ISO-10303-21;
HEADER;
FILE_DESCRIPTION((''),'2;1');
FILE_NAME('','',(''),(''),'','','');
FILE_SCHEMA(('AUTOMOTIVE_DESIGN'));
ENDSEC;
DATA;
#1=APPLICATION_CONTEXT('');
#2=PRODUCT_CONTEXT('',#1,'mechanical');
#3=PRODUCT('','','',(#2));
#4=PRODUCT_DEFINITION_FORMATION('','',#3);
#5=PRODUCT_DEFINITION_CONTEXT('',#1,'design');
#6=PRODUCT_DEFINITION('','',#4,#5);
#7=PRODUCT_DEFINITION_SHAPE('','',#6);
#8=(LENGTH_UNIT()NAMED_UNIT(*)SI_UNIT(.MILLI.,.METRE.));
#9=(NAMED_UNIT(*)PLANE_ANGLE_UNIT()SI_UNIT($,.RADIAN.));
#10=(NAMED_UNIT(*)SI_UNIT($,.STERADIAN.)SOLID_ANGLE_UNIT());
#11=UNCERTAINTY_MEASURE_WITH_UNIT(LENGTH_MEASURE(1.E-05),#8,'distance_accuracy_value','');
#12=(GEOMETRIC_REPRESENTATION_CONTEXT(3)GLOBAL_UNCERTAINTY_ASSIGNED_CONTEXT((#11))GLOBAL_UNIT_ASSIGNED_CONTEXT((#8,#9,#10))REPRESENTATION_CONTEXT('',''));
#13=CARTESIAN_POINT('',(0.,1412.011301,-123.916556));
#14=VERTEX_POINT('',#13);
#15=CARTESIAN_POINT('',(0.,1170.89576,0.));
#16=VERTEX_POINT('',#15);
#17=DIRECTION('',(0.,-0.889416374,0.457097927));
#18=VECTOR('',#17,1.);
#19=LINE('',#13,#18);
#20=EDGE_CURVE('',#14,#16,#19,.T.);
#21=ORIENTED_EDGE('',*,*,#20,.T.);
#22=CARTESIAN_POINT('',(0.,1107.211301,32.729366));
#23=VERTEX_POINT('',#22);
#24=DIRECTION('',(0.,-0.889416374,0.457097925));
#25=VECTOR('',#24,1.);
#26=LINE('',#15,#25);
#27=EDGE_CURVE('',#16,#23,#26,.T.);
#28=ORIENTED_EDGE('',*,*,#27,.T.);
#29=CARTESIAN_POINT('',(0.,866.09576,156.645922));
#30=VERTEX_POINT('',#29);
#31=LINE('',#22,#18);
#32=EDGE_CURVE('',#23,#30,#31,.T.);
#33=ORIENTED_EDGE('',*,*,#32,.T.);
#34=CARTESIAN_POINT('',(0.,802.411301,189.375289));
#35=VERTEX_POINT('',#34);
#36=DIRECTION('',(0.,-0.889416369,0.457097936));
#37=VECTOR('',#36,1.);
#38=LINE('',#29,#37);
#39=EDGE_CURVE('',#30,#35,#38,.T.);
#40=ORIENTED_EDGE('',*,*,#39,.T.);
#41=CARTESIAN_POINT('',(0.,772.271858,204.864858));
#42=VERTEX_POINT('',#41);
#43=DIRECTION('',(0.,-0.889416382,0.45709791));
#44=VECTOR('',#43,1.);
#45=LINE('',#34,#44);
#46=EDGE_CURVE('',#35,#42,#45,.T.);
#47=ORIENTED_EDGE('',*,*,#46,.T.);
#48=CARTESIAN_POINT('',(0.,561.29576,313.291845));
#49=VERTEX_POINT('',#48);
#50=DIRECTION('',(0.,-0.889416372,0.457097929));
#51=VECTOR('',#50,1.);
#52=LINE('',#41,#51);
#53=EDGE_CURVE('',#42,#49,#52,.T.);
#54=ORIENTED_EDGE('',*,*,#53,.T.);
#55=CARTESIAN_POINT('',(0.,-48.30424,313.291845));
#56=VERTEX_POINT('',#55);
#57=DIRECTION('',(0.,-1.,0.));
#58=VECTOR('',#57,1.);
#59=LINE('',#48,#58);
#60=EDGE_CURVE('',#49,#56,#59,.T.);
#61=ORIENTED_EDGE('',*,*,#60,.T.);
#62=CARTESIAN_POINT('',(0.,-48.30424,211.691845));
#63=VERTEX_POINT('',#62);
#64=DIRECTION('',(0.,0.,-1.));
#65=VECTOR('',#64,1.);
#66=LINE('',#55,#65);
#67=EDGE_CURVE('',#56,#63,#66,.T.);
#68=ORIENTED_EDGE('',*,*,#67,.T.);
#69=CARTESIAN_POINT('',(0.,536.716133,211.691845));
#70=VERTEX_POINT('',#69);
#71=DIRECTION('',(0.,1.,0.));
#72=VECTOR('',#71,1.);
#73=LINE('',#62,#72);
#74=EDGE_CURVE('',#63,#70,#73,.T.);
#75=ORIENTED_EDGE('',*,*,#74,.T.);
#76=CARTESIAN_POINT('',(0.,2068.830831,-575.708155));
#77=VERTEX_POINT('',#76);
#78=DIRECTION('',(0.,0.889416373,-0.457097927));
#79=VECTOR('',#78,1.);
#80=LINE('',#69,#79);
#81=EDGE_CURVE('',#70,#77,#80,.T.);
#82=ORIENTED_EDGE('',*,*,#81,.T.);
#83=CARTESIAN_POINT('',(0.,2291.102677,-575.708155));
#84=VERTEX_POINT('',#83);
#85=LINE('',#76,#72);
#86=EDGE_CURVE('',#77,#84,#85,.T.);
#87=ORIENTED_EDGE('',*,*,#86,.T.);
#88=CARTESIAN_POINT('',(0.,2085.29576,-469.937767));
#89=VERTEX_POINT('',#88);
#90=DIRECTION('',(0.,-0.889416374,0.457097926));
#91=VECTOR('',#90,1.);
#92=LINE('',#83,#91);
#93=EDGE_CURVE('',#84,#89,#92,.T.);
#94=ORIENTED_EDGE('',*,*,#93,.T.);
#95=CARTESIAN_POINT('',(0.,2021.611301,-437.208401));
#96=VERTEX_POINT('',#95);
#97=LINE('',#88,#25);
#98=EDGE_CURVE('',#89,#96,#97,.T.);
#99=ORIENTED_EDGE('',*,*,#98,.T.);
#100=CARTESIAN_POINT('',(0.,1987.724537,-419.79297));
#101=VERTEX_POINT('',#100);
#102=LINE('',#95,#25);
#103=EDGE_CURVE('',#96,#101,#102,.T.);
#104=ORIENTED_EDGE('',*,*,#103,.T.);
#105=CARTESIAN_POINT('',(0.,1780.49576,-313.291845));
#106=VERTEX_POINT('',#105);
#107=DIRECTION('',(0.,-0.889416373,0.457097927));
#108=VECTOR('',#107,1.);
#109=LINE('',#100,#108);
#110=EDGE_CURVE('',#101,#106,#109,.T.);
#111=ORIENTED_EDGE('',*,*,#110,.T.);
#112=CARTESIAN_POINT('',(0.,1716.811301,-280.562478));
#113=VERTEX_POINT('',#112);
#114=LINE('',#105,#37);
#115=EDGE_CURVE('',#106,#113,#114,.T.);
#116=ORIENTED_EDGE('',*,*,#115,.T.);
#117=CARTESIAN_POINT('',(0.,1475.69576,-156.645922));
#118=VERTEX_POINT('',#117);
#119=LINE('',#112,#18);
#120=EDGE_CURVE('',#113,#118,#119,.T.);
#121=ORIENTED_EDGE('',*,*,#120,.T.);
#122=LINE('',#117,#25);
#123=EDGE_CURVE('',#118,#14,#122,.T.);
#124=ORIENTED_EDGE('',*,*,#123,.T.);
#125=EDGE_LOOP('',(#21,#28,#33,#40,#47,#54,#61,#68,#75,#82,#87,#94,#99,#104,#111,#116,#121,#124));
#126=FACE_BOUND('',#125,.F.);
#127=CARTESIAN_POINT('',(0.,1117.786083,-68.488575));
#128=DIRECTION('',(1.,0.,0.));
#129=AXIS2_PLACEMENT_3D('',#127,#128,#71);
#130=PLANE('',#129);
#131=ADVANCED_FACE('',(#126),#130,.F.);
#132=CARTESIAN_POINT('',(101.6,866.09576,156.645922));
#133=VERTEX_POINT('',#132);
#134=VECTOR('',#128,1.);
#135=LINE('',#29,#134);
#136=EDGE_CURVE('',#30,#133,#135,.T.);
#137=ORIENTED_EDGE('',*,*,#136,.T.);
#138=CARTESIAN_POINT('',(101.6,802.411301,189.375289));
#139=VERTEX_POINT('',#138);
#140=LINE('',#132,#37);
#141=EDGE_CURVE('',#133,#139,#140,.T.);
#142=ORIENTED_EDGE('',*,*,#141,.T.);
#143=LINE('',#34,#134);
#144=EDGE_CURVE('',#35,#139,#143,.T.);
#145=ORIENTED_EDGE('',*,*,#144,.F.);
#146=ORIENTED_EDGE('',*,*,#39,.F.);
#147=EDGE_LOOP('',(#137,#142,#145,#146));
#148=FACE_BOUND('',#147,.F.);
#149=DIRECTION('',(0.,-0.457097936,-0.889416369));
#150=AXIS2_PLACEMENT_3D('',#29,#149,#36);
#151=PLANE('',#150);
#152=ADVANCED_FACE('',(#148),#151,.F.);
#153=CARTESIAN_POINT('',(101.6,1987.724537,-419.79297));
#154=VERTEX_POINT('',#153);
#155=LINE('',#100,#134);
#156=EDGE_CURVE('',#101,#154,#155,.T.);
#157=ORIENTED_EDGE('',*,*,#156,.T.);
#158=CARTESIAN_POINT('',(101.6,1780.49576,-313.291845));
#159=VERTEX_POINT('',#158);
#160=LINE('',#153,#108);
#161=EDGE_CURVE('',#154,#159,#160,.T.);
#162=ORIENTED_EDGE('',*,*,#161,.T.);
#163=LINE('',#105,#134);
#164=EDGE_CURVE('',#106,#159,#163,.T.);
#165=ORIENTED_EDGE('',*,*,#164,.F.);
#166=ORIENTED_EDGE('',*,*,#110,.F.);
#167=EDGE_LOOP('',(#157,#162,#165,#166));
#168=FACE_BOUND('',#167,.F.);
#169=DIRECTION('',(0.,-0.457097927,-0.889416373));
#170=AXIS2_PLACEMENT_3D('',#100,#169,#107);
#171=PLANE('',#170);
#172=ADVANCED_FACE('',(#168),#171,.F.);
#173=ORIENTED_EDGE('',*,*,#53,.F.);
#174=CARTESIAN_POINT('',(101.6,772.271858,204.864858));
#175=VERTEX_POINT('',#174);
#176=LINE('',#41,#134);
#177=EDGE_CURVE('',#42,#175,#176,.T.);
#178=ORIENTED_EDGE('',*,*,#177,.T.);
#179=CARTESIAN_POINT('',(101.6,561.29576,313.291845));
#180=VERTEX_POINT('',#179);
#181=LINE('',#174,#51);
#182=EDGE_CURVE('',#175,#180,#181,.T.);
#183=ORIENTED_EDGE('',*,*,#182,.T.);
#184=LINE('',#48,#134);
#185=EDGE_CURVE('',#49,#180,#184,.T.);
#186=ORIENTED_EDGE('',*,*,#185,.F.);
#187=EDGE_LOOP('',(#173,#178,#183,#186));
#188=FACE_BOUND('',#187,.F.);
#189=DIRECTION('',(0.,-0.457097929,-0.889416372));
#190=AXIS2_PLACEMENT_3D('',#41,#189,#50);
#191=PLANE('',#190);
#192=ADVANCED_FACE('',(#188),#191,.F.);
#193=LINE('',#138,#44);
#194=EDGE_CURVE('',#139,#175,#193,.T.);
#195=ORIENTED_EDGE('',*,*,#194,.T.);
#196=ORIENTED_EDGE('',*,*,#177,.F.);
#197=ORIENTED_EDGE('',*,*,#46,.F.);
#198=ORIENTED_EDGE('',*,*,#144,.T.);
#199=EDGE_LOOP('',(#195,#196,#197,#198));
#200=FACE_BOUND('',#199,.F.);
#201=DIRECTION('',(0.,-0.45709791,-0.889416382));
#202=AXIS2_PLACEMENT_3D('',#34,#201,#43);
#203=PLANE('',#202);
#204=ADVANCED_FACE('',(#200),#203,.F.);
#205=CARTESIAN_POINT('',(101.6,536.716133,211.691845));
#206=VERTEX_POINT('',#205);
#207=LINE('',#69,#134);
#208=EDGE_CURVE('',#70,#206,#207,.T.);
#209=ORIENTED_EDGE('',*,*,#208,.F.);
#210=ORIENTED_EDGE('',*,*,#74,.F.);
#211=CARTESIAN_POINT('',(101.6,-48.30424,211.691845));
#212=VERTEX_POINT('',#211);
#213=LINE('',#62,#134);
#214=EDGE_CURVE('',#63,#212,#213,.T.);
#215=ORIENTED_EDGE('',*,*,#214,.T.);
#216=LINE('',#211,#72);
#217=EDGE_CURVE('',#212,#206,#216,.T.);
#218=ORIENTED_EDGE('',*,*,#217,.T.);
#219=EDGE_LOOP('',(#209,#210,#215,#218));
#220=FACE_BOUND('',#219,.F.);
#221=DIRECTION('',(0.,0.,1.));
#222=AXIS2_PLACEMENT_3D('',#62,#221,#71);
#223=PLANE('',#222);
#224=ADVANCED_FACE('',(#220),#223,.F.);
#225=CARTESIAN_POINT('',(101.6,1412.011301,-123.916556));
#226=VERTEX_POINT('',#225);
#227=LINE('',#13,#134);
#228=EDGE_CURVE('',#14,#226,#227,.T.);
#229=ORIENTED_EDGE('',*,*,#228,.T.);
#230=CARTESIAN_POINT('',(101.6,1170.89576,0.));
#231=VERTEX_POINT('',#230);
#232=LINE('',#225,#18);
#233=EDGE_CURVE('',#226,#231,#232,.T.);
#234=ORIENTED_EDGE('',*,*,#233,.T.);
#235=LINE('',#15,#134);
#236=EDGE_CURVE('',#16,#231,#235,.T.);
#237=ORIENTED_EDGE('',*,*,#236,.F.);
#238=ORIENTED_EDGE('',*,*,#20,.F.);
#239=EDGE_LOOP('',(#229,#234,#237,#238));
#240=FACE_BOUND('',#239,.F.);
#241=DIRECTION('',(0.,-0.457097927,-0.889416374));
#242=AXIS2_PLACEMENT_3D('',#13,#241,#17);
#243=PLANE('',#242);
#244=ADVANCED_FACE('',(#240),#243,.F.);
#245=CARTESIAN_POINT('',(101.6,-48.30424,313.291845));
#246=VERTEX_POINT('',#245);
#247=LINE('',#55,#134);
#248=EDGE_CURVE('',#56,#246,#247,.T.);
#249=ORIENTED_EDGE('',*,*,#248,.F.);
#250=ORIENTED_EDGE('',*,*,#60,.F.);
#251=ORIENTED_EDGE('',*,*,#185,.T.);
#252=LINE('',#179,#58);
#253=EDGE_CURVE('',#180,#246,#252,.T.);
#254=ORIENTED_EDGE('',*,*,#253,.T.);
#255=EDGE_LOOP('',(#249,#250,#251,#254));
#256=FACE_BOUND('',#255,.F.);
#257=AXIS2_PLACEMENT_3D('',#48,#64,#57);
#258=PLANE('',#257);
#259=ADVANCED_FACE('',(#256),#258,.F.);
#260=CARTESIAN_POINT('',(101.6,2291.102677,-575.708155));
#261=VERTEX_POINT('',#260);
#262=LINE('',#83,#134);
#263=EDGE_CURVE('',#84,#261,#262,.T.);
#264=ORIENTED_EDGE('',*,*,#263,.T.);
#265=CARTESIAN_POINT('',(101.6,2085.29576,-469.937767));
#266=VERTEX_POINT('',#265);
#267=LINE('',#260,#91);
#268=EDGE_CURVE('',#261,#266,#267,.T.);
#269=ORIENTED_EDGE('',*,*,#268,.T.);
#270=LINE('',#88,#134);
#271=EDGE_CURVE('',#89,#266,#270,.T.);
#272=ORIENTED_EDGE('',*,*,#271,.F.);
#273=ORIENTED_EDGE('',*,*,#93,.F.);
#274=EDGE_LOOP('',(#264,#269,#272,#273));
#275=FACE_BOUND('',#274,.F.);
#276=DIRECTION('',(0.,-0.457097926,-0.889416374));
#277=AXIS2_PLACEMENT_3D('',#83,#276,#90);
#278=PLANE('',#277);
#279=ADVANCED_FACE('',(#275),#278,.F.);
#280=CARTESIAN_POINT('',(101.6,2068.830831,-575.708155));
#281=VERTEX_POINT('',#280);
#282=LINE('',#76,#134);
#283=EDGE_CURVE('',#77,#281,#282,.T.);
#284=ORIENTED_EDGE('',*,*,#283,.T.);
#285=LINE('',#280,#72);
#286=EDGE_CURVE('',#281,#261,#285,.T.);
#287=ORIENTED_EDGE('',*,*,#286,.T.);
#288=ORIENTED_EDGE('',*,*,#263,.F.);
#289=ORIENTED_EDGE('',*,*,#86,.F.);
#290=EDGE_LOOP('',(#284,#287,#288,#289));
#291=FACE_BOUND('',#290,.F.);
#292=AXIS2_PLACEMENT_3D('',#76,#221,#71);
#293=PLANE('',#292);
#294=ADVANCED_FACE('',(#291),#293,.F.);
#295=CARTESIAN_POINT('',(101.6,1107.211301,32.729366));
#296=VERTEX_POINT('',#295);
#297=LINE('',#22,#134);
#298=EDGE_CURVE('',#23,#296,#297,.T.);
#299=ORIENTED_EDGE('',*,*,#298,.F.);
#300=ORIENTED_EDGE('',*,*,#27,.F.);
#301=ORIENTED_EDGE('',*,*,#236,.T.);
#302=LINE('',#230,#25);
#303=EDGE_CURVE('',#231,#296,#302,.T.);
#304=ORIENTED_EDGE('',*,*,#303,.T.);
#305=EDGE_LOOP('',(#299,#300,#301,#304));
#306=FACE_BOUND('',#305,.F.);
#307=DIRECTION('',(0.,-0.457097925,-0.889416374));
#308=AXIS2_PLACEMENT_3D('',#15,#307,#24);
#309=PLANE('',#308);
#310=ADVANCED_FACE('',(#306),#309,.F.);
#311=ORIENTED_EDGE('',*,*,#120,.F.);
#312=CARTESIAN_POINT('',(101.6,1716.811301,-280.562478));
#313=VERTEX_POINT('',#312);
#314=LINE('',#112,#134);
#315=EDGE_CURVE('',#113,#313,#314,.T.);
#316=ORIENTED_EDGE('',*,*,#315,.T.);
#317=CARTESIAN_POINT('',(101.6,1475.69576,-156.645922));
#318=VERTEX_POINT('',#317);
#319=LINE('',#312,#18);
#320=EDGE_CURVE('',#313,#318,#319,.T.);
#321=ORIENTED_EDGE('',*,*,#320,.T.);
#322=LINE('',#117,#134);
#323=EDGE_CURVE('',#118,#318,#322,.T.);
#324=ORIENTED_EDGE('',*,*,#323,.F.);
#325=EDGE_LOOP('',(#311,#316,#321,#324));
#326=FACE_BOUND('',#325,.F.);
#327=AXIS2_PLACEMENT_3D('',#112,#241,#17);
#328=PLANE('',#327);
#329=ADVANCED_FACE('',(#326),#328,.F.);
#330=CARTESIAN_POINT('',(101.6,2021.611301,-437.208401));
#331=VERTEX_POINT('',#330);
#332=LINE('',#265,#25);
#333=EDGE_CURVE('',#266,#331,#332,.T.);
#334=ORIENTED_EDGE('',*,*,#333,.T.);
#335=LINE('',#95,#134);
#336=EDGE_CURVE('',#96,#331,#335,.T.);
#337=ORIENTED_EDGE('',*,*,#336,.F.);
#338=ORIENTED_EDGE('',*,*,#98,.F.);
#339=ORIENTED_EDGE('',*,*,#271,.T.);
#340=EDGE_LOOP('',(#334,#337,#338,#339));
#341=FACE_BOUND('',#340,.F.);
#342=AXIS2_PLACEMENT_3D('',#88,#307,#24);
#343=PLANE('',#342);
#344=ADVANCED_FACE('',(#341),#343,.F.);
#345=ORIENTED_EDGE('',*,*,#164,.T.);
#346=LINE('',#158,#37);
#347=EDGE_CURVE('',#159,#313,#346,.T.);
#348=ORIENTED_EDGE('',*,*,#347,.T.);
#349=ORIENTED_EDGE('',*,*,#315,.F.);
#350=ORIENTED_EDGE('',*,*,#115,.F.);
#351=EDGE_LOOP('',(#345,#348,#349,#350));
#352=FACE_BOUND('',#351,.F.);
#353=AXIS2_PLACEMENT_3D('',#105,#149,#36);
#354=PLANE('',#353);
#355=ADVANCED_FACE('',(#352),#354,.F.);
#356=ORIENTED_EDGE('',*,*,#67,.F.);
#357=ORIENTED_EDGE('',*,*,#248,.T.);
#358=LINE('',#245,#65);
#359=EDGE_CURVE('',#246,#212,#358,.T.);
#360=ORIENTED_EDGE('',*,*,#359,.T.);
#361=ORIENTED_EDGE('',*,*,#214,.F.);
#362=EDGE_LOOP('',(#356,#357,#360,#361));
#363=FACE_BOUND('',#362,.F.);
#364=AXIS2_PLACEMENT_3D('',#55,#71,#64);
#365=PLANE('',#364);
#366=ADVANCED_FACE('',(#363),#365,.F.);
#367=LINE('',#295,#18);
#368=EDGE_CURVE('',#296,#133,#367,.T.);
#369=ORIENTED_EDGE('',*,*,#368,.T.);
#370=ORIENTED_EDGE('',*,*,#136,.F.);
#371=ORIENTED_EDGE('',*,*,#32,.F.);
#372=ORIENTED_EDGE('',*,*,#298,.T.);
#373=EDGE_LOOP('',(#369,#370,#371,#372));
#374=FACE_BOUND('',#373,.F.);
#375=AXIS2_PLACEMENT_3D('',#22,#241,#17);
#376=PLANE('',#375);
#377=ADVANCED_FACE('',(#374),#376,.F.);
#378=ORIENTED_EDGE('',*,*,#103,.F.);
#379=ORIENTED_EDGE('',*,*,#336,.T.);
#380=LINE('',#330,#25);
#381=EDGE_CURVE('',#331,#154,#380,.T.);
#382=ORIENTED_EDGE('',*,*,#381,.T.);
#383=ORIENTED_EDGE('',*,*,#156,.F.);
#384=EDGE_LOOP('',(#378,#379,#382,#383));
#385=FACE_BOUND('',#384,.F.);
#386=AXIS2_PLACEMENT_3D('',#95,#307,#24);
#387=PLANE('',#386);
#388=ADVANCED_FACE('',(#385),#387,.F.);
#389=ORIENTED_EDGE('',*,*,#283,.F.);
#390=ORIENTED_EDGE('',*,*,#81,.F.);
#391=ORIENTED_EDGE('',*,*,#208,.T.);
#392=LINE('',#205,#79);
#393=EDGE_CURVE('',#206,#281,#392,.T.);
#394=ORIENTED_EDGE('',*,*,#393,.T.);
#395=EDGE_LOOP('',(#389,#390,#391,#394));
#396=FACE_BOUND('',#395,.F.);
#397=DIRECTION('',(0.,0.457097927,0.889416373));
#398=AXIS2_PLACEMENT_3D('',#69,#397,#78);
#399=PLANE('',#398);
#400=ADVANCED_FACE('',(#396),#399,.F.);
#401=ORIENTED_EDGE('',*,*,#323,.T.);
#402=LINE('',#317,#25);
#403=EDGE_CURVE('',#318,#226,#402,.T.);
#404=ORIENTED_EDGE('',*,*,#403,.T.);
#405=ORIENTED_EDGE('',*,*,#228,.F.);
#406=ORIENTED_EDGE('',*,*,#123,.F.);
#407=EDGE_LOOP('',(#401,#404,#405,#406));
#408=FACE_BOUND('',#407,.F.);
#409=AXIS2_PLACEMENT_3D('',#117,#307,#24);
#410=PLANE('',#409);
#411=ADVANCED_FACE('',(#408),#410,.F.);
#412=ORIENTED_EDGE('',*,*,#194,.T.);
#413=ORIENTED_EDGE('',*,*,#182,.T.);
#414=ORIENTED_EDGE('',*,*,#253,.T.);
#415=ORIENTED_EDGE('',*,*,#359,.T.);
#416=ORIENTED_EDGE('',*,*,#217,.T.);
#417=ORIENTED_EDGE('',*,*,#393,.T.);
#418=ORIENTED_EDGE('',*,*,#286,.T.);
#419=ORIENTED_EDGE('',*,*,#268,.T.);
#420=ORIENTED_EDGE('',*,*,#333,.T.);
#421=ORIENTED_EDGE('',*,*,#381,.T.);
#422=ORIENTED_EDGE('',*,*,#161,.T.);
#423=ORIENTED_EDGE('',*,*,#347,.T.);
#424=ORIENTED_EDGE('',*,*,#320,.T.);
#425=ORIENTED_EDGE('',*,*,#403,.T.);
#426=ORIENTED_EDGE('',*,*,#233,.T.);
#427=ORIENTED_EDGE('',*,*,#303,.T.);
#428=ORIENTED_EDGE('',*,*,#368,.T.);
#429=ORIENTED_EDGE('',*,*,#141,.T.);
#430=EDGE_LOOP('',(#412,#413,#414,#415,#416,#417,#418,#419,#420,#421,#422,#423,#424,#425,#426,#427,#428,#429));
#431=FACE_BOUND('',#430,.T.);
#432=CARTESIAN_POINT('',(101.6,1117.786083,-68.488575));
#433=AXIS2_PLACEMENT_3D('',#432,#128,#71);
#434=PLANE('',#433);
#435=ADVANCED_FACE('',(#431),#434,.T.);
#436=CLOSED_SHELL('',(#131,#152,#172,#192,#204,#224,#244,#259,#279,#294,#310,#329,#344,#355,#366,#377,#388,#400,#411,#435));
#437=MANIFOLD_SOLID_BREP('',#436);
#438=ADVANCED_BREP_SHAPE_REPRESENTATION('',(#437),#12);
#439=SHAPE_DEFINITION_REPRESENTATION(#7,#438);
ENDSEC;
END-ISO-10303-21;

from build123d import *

# Parameters (mm, degrees)
F1_DEPTH = 101.6


with BuildPart() as f1:
    # F0 (on Right) → F1 (new body)
    with BuildSketch(Plane.YZ):
        Polygon((561.29576, 313.291845), (-48.30424, 313.291845), (-48.30424, 211.691845), (536.716133, 211.691845), (2068.830831, -575.708155), (2291.102677, -575.708155), (2085.29576, -469.937767), (2021.611301, -437.208401), (1987.724537, -419.79297), (1780.49576, -313.291845), (1716.811301, -280.562478), (1475.69576, -156.645922), (1412.011301, -123.916556), (1170.89576, 0), (1107.211301, 32.729366), (866.09576, 156.645922), (802.411301, 189.375289), (772.271858, 204.864858), align=None)
    extrude(amount=F1_DEPTH)


solid = f1.part
